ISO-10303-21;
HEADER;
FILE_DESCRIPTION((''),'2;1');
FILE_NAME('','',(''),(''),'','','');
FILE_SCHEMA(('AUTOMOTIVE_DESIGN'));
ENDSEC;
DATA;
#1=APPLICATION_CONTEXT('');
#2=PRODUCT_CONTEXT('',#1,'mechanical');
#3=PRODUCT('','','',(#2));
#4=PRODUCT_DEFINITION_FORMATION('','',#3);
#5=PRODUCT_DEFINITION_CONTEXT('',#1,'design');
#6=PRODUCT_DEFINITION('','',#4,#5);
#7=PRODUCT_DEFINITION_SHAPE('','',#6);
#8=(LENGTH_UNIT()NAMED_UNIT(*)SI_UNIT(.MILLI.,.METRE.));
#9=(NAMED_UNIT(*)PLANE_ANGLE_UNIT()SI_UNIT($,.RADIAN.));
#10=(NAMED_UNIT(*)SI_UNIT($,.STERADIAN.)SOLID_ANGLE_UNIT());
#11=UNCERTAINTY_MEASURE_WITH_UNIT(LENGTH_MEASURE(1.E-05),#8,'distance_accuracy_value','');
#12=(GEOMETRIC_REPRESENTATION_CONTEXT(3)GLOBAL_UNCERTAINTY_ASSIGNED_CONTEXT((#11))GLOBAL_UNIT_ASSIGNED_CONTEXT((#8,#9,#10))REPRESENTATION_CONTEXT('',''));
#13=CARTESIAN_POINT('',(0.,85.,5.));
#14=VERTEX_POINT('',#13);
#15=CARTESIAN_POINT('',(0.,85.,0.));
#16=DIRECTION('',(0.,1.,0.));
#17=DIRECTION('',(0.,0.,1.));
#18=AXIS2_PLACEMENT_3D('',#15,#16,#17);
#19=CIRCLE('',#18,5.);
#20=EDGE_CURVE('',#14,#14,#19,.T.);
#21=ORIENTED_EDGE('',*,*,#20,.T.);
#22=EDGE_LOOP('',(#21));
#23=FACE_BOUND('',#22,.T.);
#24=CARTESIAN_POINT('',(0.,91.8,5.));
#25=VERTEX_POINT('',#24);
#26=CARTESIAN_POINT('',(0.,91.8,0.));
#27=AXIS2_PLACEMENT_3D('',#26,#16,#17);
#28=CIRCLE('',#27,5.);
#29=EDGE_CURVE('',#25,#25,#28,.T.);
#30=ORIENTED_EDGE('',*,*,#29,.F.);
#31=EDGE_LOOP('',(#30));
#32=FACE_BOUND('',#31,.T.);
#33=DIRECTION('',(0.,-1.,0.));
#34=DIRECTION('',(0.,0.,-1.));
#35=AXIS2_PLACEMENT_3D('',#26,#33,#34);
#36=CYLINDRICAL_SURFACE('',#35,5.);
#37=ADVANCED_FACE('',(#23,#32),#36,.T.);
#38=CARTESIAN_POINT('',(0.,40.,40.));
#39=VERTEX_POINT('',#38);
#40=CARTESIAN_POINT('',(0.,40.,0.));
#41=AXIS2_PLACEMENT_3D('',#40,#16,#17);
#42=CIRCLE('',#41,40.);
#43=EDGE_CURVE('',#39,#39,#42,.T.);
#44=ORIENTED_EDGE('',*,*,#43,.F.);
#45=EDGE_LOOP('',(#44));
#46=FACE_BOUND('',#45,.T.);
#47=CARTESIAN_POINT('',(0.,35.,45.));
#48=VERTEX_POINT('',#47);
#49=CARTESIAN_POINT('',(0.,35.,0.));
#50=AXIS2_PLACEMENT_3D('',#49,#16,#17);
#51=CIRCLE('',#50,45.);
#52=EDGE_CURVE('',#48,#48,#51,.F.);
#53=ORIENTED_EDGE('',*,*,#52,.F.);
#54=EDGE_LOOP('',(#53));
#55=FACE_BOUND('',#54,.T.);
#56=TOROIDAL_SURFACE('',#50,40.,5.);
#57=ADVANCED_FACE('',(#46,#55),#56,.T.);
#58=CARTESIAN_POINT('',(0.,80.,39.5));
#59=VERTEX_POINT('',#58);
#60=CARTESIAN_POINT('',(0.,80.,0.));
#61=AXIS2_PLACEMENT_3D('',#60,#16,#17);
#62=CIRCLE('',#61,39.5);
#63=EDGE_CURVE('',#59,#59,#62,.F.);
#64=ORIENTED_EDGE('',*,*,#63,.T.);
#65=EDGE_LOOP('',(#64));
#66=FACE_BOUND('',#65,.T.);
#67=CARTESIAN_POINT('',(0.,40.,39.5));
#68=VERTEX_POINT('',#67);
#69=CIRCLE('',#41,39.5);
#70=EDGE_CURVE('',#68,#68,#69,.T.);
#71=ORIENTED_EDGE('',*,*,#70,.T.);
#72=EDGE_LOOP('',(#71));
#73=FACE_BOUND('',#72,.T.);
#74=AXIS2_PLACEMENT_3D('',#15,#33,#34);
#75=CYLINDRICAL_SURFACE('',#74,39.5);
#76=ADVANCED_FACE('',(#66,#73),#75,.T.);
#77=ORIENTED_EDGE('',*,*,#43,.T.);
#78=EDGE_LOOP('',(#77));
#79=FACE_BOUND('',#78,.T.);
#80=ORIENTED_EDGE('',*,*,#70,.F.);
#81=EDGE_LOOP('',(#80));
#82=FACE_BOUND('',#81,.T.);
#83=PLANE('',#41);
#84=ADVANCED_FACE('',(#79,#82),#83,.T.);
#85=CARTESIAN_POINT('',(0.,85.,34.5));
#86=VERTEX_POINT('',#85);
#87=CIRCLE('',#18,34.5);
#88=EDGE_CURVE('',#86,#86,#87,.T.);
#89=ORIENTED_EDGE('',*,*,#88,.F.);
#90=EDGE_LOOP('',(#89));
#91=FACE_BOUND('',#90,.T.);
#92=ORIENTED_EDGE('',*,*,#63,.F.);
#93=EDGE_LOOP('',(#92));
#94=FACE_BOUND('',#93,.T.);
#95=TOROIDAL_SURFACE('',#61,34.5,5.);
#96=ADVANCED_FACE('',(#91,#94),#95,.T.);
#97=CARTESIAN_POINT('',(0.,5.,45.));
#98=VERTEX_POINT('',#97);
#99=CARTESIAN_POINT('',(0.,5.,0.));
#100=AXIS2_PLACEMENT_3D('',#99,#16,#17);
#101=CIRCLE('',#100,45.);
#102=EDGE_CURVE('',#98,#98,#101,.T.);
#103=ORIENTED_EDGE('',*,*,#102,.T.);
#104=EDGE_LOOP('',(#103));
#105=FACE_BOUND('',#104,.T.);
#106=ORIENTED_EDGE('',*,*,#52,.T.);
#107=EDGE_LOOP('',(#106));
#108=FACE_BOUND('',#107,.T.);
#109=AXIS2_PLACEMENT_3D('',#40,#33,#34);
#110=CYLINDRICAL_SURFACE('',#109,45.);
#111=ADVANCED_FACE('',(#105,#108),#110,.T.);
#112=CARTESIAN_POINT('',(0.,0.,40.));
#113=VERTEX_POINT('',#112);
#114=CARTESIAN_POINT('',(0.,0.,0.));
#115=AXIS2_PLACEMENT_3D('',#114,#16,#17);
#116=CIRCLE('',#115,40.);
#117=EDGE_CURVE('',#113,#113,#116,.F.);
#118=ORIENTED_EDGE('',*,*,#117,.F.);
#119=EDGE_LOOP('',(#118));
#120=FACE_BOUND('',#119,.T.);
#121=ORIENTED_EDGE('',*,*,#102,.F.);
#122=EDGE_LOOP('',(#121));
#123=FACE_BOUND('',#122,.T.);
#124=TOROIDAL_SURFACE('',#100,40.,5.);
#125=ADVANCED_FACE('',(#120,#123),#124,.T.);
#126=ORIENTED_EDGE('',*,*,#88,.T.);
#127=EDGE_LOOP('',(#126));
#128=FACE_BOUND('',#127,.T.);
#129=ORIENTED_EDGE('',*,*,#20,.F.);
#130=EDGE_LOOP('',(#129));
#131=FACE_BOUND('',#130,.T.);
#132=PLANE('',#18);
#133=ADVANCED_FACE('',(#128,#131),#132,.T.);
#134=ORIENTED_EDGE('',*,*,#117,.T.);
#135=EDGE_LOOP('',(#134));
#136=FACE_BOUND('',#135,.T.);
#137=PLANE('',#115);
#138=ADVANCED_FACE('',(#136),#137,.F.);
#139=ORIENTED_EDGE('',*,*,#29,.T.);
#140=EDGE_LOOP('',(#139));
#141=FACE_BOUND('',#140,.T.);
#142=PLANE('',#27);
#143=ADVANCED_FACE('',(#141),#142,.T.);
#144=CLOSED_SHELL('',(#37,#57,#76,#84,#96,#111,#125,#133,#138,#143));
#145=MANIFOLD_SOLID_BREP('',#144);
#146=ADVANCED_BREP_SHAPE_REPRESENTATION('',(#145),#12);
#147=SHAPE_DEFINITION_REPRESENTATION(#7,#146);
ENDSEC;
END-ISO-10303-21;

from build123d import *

# Parameters (mm, degrees)
SKETCH1_R           = 45
BOSS_EXTRUDE1_DEPTH = 40
SKETCH2_R           = 39.5
BOSS_EXTRUDE2_DEPTH = 45
SKETCH3_R           = 5
BOSS_EXTRUDE3_DEPTH = 6.8
FILLET1_R           = 5


with BuildPart() as part:
    # Sketch1 → Boss-Extrude1 (new body)
    with BuildSketch(Plane(origin=(0, 0, 0), x_dir=(1, 0, 0), z_dir=(0, 1, 0))):
        Circle(SKETCH1_R)
    extrude(amount=BOSS_EXTRUDE1_DEPTH)

    # Sketch2 → Boss-Extrude2 (add)
    with BuildSketch(Plane(origin=(0, 40, 0), x_dir=(1, 0, 0), z_dir=(0, 1, 0))):
        Circle(SKETCH2_R)
    extrude(amount=BOSS_EXTRUDE2_DEPTH)

    # Sketch3 → Boss-Extrude3 (add)
    with BuildSketch(Plane(origin=(0, 85, 0), x_dir=(1, 0, 0), z_dir=(0, 1, 0))):
        Circle(SKETCH3_R)
    extrude(amount=BOSS_EXTRUDE3_DEPTH)

    # Fillet1
    fillet1_edges = [part.edges().sort_by_distance(p)[0] for p in [
        (-45, 0, 0),
        (-45, 40, 0),
        (-39.5, 85, 0),
    ]]
    fillet(fillet1_edges, radius=FILLET1_R)


solid = part.part
